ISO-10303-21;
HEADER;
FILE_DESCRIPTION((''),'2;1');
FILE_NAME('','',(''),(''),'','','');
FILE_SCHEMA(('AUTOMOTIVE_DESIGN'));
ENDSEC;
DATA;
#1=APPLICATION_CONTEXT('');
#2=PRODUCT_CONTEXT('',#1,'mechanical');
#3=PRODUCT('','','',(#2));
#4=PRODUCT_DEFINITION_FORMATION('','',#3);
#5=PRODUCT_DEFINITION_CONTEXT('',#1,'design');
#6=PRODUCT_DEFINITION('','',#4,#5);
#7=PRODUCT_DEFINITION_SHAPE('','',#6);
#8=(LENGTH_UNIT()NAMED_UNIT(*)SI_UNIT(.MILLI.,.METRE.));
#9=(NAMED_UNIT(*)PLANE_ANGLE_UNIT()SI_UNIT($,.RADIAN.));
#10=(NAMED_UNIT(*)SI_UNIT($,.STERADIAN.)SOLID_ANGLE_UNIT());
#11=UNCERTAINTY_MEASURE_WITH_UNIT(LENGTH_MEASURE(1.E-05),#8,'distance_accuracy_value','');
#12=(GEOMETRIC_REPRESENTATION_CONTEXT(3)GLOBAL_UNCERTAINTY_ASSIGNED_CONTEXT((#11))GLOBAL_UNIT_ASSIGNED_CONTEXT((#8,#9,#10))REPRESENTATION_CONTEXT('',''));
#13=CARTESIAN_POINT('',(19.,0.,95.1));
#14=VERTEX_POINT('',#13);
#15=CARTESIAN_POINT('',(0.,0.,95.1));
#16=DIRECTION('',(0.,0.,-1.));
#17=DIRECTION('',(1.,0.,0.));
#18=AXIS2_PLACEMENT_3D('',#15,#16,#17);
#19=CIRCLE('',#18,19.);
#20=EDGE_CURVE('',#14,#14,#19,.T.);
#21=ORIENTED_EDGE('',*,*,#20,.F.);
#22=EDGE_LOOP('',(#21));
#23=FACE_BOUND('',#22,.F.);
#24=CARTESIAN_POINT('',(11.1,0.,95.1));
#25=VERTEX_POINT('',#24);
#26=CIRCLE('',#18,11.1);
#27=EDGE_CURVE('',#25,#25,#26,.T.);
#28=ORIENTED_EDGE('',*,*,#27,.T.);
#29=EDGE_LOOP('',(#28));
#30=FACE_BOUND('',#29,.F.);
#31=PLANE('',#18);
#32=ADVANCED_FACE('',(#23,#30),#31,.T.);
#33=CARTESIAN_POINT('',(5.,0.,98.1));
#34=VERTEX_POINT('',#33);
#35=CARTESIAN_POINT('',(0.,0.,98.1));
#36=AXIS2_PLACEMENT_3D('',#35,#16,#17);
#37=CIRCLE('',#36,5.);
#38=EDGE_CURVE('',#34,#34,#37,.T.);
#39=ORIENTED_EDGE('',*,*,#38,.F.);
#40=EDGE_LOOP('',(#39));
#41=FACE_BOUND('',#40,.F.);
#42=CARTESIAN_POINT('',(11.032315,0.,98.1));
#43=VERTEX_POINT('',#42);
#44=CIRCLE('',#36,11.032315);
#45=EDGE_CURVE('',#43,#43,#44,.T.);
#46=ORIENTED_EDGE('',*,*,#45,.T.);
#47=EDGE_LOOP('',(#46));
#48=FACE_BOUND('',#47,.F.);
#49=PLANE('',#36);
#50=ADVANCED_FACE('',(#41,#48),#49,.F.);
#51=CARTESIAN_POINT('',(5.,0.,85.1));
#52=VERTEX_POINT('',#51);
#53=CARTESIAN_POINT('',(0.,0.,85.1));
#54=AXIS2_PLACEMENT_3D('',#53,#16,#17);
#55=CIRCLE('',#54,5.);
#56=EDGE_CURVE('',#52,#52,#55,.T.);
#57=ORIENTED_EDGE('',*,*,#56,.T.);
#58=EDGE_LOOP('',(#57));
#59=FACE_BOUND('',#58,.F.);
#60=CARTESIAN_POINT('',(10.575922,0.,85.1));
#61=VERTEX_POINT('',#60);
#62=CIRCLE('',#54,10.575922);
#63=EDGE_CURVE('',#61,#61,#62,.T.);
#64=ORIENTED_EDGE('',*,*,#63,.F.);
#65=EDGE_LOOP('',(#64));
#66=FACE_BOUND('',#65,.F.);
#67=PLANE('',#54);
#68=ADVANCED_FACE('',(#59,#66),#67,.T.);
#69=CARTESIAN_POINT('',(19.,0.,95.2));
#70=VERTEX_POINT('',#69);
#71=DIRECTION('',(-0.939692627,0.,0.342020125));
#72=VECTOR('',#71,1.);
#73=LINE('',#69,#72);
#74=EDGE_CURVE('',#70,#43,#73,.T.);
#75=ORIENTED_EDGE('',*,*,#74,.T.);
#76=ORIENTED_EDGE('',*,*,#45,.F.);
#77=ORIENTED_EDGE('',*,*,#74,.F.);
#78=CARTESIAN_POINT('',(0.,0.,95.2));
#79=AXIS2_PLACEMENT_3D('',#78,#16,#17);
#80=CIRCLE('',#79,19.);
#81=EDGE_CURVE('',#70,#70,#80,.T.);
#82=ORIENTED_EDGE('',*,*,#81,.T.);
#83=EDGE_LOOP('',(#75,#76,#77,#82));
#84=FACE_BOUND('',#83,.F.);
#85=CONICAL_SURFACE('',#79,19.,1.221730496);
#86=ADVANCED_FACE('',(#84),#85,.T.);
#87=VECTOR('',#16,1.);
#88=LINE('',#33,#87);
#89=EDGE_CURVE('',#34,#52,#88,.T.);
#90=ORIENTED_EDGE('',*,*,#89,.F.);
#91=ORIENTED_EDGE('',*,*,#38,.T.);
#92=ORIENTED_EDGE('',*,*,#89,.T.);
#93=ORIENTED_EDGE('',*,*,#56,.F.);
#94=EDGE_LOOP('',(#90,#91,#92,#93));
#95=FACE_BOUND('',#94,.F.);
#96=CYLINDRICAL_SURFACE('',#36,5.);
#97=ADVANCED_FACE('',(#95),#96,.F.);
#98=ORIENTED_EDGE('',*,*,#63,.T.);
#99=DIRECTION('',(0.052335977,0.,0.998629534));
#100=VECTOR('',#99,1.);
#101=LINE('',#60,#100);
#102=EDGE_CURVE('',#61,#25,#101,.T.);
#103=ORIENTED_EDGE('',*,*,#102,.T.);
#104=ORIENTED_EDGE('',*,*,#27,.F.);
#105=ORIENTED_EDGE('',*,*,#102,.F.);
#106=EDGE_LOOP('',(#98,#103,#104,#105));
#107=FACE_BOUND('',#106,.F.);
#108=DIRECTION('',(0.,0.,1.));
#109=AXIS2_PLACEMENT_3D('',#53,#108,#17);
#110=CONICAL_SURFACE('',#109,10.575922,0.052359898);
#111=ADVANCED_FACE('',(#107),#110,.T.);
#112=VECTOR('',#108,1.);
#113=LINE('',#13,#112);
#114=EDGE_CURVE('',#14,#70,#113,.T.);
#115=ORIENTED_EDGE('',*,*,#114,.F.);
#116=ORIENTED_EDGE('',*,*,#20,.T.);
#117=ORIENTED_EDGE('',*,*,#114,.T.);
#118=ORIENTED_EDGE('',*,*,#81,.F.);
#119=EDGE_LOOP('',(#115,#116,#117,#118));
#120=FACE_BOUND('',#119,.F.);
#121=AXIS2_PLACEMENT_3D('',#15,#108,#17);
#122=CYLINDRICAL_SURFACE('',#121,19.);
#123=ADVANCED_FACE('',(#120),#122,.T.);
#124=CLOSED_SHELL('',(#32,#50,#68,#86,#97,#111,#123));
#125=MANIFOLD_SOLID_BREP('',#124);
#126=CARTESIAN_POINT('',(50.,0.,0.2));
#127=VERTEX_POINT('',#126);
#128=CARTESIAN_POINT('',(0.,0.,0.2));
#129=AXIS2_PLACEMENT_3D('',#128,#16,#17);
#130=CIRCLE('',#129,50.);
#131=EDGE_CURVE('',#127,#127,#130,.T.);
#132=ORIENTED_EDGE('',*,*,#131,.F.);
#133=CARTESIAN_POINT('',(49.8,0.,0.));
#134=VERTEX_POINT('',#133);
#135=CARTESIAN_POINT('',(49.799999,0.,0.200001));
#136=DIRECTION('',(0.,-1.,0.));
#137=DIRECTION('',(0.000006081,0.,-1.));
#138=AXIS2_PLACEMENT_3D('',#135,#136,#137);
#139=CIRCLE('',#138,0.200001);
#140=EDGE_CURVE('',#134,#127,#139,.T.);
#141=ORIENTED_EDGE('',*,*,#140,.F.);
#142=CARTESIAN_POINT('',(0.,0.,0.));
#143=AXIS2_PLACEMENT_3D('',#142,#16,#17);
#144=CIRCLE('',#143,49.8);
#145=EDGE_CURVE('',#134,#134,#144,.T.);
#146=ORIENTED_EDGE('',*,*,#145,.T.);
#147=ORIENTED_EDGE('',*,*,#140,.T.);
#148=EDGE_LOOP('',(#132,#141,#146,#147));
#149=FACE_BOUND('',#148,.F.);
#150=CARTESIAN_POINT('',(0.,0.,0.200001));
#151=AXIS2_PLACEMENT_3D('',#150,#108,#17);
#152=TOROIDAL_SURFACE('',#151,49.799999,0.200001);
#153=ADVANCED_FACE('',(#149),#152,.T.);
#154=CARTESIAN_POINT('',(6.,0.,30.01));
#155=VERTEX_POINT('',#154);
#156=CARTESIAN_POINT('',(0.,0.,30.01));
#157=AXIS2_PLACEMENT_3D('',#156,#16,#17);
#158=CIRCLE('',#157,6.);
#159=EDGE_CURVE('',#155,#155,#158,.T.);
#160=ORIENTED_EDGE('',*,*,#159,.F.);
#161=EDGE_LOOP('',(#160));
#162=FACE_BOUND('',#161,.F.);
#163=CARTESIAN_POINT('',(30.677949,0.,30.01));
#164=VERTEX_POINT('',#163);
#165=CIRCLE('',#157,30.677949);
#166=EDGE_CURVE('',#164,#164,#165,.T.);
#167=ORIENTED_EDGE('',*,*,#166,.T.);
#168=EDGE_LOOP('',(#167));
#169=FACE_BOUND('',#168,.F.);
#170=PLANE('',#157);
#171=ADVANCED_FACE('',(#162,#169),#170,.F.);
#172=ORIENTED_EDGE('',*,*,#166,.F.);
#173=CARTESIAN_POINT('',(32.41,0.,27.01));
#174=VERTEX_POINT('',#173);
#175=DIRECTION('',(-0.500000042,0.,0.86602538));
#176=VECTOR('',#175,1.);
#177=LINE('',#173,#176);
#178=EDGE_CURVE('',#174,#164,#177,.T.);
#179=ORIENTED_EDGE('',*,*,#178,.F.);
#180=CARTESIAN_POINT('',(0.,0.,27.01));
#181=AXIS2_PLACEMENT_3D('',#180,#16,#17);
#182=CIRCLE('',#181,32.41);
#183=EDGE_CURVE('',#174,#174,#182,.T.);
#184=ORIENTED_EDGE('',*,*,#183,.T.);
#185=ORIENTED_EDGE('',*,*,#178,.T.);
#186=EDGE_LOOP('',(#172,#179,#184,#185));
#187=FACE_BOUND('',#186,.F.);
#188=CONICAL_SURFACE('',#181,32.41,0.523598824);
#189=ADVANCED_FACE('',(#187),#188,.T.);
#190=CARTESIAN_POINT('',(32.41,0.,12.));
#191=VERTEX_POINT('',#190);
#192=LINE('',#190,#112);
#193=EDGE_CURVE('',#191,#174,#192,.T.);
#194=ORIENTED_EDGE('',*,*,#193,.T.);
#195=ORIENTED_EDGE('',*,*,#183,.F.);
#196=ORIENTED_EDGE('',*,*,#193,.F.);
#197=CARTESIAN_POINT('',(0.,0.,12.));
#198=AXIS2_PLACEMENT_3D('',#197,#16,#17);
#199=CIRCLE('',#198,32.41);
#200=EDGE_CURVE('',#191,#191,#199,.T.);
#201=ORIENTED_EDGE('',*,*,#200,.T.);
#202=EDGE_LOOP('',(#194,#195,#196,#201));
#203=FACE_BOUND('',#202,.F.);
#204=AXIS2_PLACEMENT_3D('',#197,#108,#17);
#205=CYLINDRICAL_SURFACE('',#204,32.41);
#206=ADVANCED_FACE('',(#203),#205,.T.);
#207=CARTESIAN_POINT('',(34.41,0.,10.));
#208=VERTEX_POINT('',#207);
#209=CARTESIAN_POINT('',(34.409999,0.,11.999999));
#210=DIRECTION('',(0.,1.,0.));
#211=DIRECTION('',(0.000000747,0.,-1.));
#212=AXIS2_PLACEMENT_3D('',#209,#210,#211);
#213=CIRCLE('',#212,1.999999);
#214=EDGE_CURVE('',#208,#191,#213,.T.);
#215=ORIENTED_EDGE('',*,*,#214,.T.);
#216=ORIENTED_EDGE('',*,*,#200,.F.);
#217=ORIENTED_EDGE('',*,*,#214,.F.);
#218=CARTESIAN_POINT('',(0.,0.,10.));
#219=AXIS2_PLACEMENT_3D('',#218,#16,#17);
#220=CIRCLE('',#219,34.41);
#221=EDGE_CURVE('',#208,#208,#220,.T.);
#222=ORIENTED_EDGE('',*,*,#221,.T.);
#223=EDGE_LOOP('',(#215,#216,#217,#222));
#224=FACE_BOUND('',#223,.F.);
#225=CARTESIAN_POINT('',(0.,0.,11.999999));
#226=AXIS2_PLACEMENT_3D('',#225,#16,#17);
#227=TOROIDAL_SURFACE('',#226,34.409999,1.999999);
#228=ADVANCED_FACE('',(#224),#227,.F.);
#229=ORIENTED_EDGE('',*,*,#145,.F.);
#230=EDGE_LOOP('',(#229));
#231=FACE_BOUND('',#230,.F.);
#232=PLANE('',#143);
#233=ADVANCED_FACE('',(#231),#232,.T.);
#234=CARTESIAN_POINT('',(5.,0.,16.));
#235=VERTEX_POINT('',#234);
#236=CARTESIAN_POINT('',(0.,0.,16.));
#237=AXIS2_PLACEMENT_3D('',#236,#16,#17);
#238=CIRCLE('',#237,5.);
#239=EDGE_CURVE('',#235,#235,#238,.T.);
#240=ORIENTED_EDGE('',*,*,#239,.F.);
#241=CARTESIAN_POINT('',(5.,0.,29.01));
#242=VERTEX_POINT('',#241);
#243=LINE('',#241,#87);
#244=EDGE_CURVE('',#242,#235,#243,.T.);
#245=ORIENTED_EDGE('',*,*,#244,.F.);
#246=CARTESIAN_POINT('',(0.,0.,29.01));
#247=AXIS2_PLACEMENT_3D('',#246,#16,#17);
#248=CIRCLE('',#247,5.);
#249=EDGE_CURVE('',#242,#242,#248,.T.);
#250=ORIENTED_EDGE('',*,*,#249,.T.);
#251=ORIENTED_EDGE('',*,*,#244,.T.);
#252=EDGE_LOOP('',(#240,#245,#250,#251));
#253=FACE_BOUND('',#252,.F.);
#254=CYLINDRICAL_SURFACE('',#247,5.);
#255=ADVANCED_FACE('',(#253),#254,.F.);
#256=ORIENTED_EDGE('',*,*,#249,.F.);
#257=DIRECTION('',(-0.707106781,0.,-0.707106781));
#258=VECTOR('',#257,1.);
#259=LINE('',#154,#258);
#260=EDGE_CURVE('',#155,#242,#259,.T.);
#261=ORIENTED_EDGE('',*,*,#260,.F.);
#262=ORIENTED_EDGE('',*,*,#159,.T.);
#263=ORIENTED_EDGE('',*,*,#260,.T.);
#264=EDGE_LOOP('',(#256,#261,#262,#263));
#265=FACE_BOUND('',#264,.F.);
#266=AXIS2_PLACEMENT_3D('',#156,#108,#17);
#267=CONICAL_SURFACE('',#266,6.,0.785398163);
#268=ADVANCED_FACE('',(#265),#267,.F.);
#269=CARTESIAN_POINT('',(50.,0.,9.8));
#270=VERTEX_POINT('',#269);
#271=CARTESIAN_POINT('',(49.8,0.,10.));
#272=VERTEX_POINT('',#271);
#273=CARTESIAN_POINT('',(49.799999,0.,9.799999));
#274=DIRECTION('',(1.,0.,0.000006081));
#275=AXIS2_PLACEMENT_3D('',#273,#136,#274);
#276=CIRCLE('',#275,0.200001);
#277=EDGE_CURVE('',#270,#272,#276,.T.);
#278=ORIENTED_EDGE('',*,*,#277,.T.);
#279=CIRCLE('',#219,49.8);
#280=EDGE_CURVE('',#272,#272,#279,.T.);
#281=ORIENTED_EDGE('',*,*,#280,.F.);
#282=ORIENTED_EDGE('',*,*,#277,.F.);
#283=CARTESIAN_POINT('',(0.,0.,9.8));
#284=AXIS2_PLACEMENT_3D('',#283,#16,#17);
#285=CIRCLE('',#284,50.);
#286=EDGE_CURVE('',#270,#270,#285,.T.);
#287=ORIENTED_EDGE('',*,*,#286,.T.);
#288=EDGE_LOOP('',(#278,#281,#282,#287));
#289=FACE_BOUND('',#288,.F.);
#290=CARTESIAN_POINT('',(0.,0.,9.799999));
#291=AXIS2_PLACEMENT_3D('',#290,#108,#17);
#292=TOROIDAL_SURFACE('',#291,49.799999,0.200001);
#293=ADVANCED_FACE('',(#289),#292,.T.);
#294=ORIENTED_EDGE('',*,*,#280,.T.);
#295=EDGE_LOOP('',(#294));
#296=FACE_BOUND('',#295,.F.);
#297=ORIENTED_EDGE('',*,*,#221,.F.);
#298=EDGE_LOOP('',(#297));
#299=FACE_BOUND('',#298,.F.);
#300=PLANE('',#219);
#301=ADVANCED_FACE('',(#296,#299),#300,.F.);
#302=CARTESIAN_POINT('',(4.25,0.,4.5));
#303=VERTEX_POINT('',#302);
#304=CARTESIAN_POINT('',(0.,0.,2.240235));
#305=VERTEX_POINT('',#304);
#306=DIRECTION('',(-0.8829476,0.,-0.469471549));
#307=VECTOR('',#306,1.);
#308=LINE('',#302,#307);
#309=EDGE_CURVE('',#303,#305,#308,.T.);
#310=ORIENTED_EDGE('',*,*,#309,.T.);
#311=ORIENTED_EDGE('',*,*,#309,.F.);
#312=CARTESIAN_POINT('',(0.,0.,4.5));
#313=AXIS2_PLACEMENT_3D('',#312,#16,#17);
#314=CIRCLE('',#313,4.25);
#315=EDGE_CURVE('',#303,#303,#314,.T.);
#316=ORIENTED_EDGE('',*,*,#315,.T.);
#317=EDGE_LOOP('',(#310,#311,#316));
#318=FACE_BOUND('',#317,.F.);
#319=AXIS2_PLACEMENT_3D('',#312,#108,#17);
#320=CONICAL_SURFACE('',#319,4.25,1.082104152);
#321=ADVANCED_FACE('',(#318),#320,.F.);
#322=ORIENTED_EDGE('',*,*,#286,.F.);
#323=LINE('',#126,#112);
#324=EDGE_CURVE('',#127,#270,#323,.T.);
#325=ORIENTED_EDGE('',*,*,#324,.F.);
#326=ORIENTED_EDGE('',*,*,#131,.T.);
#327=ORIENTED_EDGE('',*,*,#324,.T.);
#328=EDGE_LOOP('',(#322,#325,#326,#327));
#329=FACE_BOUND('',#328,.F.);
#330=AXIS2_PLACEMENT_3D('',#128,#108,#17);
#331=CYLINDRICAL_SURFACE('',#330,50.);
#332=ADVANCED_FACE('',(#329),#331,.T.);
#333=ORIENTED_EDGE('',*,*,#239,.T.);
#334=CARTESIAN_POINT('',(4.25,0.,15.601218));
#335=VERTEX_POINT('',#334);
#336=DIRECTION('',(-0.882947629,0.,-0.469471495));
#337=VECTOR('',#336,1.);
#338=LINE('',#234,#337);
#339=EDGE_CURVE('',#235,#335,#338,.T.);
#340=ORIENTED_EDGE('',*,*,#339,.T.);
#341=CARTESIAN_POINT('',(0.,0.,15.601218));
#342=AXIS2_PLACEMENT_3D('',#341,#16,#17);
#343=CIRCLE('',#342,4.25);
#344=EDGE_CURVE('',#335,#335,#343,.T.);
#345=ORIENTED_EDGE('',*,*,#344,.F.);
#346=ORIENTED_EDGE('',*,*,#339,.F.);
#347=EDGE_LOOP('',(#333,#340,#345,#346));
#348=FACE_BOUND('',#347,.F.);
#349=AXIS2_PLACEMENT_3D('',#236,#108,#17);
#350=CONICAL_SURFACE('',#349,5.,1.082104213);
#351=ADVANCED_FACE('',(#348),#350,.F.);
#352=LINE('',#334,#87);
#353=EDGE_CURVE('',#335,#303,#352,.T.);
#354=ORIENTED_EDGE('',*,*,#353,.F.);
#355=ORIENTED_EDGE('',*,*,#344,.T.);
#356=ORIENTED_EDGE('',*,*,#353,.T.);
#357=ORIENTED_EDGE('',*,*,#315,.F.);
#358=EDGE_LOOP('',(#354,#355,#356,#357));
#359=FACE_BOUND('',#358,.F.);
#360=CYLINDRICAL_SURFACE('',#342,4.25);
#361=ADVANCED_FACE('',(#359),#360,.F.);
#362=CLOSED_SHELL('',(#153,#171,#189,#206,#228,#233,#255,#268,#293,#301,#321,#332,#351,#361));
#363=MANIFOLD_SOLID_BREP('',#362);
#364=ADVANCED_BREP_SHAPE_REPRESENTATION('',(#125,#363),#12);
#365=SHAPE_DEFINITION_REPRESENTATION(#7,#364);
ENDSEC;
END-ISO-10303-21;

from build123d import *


with BuildPart() as f1:
    # F0 (on Front) → F1 (revolve)
    with BuildSketch(Plane.XZ):
        with BuildLine():
            Line((4.25, 4.5), (0, 2.240235))
            Line((0, 2.240235), (0, 0))
            Line((0, 0), (49.8, 0))
            ThreePointArc((49.8, 0), (49.941421, 0.058579), (50, 0.2))
            Line((50, 0.2), (50, 9.8))
            ThreePointArc((50, 9.8), (49.941421, 9.941421), (49.8, 10))
            Line((49.8, 10), (34.41, 10))
            ThreePointArc((34.41, 10), (32.995786, 10.585786), (32.41, 12))
            Line((32.41, 12), (32.41, 27.01))
            Line((32.41, 27.01), (30.677949, 30.01))
            Line((30.677949, 30.01), (6, 30.01))
            Line((6, 30.01), (5, 29.01))
            Line((5, 29.01), (5, 16))
            Line((5, 16), (4.25, 15.601218))
            Line((4.25, 15.601218), (4.25, 4.5))
        make_face()
        Polygon((5, 98.1), (5, 85.1), (10.575922, 85.1), (11.1, 95.1), (19, 95.1), (19, 95.2), (11.032315, 98.1), align=None)
    revolve(axis=Axis((0, 0, 0), (0, 0, -1)))


solid = f1.part
